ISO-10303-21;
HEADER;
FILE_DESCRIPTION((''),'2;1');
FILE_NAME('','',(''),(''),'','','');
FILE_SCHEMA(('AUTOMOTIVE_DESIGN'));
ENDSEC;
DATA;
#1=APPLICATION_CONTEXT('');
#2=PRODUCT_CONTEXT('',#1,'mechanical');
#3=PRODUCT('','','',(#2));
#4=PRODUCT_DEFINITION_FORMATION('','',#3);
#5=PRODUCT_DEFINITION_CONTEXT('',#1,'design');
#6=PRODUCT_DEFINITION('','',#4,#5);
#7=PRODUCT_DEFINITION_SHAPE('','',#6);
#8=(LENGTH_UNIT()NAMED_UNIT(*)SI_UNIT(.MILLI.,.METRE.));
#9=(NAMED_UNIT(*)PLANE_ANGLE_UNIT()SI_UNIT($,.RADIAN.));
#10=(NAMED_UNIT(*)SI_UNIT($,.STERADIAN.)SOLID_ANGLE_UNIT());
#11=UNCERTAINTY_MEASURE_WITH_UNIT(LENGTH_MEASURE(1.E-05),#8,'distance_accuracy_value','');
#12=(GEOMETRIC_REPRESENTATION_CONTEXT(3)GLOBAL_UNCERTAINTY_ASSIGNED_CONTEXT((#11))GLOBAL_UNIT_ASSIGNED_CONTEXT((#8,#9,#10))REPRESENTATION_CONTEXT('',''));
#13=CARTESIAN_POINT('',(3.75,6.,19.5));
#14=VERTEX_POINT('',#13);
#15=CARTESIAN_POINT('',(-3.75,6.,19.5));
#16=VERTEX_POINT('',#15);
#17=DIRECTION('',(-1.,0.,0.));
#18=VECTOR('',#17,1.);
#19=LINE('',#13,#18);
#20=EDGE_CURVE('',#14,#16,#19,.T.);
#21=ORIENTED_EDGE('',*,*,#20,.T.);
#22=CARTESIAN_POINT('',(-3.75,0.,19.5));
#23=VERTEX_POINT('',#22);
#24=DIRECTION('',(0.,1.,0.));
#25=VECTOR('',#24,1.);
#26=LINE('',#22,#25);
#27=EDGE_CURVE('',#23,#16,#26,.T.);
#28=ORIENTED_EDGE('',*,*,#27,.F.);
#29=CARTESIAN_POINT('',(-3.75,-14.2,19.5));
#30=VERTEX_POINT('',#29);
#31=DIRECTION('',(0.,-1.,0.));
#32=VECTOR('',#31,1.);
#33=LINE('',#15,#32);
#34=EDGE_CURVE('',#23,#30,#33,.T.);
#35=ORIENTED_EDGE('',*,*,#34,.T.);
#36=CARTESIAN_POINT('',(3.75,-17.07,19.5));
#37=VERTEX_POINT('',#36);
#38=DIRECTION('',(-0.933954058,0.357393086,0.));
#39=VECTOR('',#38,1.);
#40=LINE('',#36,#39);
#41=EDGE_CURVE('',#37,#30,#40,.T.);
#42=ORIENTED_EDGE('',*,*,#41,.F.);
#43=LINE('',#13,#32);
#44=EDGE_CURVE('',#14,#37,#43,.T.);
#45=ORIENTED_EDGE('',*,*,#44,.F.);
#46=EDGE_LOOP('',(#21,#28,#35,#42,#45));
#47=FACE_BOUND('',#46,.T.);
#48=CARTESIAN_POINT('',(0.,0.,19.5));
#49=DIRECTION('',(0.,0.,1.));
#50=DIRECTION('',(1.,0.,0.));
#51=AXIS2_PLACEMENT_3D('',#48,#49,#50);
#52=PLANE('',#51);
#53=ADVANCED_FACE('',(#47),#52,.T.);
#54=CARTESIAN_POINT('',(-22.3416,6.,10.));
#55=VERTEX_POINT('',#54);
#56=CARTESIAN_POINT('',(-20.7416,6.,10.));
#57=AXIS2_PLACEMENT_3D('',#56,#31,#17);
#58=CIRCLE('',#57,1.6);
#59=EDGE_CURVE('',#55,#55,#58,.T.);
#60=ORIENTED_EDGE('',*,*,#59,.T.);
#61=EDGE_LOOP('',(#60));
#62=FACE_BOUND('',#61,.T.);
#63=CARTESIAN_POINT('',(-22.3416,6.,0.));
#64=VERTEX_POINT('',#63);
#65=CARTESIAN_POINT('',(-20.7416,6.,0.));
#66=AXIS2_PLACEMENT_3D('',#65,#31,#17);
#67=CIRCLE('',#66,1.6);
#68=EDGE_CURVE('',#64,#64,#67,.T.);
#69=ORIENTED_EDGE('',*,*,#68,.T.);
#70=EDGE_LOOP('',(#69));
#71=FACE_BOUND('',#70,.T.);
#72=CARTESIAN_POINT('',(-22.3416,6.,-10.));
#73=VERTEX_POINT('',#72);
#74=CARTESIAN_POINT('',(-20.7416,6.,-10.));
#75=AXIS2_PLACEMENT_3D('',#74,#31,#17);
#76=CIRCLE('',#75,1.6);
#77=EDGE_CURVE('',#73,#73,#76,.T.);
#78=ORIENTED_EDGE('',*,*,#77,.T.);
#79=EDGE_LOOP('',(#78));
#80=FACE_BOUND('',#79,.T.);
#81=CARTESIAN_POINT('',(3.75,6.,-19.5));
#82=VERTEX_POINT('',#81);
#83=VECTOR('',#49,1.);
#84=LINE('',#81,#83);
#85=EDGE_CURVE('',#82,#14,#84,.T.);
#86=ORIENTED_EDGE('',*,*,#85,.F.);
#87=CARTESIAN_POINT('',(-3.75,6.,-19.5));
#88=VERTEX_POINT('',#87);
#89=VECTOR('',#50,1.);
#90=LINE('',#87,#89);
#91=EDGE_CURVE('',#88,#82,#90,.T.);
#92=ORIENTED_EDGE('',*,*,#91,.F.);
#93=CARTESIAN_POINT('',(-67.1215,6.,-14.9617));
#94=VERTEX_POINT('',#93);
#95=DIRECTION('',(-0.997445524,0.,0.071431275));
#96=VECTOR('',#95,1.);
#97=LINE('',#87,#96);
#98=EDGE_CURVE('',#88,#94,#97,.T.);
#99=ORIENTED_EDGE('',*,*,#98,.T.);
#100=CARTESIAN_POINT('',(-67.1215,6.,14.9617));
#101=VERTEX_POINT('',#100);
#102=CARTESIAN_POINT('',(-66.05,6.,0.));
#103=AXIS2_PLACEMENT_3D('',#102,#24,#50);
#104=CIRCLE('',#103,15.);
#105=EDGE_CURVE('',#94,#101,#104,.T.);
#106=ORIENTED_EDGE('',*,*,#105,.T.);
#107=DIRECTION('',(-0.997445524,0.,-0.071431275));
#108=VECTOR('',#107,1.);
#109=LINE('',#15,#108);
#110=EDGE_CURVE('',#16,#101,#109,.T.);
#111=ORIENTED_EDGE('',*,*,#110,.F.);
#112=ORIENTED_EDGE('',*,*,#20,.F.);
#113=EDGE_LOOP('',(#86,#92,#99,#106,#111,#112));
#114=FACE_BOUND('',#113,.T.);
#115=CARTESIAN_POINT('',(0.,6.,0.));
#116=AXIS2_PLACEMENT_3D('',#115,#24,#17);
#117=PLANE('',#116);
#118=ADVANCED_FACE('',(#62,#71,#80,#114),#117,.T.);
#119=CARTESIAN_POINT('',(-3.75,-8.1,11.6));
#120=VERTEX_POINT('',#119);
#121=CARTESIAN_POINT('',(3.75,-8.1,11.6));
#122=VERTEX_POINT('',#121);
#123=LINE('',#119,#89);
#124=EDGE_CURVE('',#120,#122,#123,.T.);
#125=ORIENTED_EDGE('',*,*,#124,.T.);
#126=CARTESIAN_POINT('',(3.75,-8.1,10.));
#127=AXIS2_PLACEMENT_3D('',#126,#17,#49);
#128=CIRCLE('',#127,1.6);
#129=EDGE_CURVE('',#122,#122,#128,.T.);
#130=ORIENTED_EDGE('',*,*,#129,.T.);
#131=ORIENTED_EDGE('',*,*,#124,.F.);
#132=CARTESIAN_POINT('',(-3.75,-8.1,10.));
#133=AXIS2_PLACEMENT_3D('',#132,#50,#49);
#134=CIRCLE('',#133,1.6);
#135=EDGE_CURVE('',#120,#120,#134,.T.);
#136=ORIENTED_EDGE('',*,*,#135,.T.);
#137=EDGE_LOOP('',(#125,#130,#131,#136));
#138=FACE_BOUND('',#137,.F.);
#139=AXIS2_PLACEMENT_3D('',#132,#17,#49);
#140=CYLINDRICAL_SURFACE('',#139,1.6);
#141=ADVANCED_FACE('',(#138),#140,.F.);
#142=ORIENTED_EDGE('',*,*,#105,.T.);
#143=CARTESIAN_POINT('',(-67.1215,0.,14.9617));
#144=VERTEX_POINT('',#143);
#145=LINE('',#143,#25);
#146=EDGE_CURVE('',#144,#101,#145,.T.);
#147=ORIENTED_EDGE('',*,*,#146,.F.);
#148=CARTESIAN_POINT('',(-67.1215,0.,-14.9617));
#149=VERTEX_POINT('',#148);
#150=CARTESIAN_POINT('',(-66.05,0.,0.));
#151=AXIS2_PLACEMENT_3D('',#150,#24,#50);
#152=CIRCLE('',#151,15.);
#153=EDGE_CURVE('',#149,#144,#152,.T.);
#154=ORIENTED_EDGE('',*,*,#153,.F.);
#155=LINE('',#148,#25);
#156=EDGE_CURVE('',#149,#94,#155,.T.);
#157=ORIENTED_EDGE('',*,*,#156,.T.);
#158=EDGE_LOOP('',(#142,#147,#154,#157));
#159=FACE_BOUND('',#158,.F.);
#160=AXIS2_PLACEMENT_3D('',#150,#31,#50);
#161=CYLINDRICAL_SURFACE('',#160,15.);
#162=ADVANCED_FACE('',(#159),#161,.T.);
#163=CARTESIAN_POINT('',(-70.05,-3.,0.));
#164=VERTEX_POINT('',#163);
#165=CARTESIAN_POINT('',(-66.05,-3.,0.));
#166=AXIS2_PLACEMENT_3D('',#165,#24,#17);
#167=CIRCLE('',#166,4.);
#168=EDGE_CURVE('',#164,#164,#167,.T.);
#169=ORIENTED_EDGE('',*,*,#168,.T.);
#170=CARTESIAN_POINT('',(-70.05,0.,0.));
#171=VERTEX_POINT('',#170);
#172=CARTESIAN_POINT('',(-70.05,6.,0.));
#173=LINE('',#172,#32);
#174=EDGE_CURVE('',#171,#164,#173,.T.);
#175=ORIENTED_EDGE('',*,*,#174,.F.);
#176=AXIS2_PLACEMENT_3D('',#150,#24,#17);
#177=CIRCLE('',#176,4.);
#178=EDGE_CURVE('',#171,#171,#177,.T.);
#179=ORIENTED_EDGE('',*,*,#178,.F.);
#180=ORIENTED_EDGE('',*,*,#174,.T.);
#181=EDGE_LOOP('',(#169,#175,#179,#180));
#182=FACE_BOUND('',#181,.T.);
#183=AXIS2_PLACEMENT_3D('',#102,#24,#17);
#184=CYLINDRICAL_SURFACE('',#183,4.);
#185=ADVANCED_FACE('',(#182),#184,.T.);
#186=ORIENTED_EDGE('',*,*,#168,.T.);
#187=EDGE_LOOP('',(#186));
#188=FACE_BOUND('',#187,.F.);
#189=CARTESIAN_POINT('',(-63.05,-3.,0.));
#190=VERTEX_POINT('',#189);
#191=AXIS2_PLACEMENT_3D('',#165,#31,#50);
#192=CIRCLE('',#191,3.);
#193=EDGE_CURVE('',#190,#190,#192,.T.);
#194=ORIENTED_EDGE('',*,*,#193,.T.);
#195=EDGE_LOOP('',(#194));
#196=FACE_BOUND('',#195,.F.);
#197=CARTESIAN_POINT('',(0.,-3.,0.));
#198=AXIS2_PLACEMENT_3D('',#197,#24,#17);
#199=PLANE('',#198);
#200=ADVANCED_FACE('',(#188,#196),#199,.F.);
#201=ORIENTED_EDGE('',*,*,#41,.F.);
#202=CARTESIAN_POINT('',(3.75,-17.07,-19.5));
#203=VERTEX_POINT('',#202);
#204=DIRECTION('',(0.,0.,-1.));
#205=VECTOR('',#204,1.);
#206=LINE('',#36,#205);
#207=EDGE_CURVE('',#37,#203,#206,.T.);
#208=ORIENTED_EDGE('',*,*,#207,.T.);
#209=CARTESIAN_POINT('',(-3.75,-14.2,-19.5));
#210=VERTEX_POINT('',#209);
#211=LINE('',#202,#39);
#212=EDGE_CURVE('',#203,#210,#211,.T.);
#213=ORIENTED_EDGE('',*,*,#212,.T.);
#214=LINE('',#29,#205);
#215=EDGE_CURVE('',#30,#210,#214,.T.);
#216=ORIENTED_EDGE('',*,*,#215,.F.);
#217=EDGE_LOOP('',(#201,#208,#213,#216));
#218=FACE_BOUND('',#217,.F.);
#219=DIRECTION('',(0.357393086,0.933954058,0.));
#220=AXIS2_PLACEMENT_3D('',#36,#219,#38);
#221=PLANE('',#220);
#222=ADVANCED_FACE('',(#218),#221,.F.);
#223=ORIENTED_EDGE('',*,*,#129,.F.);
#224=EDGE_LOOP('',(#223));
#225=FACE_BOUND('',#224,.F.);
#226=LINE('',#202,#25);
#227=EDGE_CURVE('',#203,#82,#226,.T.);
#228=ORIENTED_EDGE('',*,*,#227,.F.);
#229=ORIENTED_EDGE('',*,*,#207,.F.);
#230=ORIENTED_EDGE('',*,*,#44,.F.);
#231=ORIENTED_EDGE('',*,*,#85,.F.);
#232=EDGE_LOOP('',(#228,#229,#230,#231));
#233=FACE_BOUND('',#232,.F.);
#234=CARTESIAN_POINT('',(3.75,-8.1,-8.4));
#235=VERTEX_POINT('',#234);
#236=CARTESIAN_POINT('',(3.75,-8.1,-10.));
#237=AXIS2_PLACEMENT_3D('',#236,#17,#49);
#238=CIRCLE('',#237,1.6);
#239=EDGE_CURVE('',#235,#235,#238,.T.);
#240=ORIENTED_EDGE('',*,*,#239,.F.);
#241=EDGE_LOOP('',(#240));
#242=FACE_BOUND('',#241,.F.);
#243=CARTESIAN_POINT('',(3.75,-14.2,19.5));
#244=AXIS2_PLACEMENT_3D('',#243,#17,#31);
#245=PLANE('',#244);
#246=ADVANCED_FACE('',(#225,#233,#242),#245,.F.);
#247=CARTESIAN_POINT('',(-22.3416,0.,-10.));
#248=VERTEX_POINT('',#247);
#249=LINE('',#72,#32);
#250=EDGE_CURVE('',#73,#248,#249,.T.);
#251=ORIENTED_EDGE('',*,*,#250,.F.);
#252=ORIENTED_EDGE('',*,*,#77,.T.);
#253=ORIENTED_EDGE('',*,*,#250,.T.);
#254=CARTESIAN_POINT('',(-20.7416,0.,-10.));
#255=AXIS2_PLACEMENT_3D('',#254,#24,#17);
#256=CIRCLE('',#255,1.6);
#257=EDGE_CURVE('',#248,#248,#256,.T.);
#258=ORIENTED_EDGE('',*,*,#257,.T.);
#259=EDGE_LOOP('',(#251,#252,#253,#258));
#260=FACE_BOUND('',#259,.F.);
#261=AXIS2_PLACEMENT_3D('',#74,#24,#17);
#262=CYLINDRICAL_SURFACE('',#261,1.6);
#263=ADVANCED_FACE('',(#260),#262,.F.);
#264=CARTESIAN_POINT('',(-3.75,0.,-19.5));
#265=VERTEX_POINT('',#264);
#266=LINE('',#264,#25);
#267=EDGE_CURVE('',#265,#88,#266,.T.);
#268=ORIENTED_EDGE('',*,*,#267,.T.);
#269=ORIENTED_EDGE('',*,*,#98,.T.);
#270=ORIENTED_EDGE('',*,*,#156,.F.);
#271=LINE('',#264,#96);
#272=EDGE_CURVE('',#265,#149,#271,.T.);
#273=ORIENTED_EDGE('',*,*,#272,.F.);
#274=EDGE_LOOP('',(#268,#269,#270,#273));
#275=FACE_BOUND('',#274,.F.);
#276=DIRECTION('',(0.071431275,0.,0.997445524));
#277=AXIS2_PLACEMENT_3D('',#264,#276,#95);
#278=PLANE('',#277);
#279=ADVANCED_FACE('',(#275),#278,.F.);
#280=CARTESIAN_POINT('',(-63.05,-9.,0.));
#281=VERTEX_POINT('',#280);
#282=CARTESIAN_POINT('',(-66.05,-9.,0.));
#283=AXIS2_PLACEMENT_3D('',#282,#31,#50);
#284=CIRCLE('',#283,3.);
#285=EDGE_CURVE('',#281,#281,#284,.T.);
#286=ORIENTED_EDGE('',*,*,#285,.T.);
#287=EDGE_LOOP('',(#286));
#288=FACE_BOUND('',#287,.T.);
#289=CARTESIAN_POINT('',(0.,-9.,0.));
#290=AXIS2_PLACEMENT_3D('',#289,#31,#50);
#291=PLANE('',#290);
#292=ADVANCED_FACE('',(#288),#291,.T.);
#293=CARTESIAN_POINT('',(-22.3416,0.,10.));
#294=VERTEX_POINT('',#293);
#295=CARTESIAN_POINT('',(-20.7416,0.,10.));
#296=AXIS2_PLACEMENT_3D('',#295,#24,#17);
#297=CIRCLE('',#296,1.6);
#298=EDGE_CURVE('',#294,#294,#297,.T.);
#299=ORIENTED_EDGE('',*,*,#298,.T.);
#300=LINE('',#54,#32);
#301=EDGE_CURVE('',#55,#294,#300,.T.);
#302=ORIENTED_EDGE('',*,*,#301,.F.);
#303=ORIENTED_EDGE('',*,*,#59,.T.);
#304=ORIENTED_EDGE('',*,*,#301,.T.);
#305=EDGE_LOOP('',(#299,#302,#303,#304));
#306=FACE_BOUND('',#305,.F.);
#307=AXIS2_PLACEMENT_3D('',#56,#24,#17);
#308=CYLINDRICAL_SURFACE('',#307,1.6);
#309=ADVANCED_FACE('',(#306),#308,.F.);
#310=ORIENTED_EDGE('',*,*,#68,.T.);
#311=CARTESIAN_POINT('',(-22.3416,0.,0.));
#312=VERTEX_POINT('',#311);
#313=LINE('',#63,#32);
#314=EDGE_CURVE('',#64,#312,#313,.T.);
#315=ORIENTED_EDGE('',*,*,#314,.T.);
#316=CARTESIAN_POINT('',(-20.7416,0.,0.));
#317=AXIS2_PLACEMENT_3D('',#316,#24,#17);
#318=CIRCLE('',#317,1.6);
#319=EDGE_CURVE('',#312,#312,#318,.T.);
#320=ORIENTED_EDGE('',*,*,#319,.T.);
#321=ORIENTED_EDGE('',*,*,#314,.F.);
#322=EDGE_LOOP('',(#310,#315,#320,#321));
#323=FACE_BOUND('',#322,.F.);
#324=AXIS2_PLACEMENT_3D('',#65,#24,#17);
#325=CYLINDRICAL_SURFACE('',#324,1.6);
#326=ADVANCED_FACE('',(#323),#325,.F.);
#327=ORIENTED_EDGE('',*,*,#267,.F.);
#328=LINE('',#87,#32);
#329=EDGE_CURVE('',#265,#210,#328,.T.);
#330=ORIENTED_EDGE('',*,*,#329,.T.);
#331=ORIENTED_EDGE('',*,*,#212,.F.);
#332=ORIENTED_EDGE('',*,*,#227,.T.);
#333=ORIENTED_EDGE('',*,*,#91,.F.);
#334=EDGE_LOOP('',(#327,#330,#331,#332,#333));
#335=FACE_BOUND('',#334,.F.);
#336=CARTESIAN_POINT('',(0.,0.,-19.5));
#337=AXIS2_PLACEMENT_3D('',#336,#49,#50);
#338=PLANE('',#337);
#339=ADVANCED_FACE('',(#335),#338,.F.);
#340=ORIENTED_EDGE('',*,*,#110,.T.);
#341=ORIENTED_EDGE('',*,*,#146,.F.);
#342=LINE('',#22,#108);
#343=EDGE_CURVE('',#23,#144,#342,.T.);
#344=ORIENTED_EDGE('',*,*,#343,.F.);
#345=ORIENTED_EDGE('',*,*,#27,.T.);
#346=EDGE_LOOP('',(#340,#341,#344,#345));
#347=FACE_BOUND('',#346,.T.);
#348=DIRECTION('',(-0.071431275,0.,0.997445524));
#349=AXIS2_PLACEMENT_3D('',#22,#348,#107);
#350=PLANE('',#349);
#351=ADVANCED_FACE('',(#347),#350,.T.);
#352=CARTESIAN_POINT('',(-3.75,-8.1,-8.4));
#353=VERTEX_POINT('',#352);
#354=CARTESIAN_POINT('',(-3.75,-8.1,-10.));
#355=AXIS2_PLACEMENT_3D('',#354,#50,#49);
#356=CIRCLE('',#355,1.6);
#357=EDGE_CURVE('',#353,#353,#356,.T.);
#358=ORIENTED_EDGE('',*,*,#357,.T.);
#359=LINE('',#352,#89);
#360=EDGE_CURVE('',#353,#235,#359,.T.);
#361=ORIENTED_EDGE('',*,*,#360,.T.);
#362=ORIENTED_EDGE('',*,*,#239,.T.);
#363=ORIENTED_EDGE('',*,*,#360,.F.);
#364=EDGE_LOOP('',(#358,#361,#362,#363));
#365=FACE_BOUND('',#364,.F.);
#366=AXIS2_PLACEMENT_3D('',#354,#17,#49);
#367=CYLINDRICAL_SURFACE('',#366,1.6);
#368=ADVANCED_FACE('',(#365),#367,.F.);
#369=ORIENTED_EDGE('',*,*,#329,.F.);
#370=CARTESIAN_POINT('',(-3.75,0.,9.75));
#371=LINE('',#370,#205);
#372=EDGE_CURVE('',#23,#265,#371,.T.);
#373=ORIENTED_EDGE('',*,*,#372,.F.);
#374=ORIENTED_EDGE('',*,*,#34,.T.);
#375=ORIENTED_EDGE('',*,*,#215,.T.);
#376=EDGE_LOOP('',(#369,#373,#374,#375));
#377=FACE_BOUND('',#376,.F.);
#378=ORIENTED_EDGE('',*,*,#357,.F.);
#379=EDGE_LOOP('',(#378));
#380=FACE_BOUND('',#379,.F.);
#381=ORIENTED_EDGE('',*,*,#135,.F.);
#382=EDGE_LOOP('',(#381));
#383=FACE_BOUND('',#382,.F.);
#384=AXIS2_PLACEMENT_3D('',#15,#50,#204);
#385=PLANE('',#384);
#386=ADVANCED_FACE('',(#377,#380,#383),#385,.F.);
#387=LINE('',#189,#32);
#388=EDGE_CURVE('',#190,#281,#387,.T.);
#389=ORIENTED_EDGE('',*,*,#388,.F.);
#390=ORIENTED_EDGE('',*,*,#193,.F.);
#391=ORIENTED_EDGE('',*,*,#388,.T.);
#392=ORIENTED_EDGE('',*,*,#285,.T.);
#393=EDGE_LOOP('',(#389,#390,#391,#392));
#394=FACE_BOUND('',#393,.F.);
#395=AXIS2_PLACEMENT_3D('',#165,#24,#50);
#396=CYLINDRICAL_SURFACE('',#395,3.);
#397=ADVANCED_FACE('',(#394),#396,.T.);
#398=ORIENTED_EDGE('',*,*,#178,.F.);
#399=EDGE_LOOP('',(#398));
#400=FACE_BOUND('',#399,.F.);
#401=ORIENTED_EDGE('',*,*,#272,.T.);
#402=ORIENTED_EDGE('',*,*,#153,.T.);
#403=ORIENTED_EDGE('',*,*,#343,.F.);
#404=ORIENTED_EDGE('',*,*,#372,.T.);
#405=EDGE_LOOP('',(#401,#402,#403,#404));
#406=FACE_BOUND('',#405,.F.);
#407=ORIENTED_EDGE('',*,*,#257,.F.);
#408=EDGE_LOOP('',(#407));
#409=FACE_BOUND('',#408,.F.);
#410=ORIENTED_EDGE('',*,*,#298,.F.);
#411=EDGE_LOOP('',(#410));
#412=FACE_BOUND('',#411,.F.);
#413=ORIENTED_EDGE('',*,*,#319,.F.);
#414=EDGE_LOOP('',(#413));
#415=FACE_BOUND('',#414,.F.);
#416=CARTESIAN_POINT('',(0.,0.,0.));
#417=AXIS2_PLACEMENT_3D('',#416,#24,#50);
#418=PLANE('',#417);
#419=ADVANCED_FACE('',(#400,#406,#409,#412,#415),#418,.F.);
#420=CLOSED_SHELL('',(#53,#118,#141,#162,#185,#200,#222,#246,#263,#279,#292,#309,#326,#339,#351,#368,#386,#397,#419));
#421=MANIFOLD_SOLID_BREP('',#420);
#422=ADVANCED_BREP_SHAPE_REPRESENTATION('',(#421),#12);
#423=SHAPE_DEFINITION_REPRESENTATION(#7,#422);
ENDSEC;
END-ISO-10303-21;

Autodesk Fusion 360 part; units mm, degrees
sketch "Sketch1" plane through (0, 0, 0) normal (0, 1, 0) x (1, 0, 0)
  line L0 (-3.75, 19.5) -> (3.75, 19.5)
  line L1 (3.75, 19.5) -> (3.75, -19.5)
  line L2 (3.75, -19.5) -> (-3.75, -19.5)
  line L3 (-3.75, -19.5) -> (-3.75, 19.5)
  line L4 (-3.75, 19.5) -> (3.75, -19.5) construction
  line L5 (3.75, 19.5) -> (-3.75, -19.5) construction
  circle A0 centre (-66.05, 0) radius 15
  line L6 (-3.75, -19.5) -> (-67.1215, -14.9617)
  line L7 (-3.75, 19.5) -> (-67.1215, 14.9617)
  dimension "d1" = 7.5
  dimension "d2" = 39
  dimension "d4" = 30
extrude "Extrude1" add sketch "Sketch1" along normal blind 6
sketch "Sketch2" plane through (0, 6, 0) normal (0, 1, 0) x (-1, 0, 0)
  line L0 (-3.75, -19.5) -> (3.75, -19.5)
  line L1 (3.75, -19.5) -> (67.1215, -14.9617)
  arc A0 (67.1215, -14.9617) -> (67.1215, 14.9617) centre (66.05, 0) ccw
  line L2 (67.1215, 14.9617) -> (3.75, 19.5)
  line L3 (3.75, 19.5) -> (-3.75, 19.5)
  line L4 (-3.75, 19.5) -> (-3.75, -19.5)
  line L5 (-3.75, 19.5) -> (3.75, 19.5)
  line L6 (3.75, 19.5) -> (3.75, -19.5)
  line L7 (3.75, -19.5) -> (-3.75, -19.5)
  line L8 (-3.75, -19.5) -> (-3.75, 19.5)
  line L9 (-3.75, 19.5) -> (3.75, -19.5) construction
  line L10 (3.75, 19.5) -> (-3.75, -19.5) construction
  dimension "d7" = 7.5
  dimension "d8" = 39
extrude "Extrude2" add sketch "Sketch2" against normal blind 20.2 contours L0 L3 L4 L5 L6 L7 L8
sketch "Sketch3" plane through (0, 6, 0) normal (0, 1, 0) x (-1, 0, 0)
  line L0 (3.75, -19.5) -> (67.1215, -14.9617)
  arc A0 (67.1215, -14.9617) -> (67.1215, 14.9617) centre (66.05, 0) ccw
  line L1 (67.1215, 14.9617) -> (3.75, 19.5)
  line L2 (3.75, 19.5) -> (-3.75, 19.5)
  line L3 (-3.75, 19.5) -> (-3.75, -19.5)
  line L4 (-3.75, -19.5) -> (3.75, -19.5)
  circle A1 centre (66.05, 0) radius 4
  dimension "d11" = 8
extrude "Extrude3" add sketch "Sketch3" against normal blind 9 contours A1
sketch "Sketch4" plane through (0, -3, 0) normal (0, -1, 0) x (1, 0, 0)
  circle A0 centre (-66.05, 0) radius 4
  circle A1 centre (-66.05, 0) radius 3
  dimension "d14" = 6
extrude "Extrude4" add sketch "Sketch4" along normal blind 6 contours A1
sketch "Sketch5" plane through (0, 6, 0) normal (0, 1, 0) x (-1, 0, 0)
  line L0 (3.75, -19.5) -> (67.1215, -14.9617)
  arc A0 (67.1215, -14.9617) -> (67.1215, 14.9617) centre (66.05, 0) ccw
  line L1 (67.1215, 14.9617) -> (3.75, 19.5)
  line L2 (3.75, 19.5) -> (-3.75, 19.5)
  line L3 (-3.75, 19.5) -> (-3.75, -19.5)
  line L4 (-3.75, -19.5) -> (3.75, -19.5)
  line L5 (3.75, -19.5) -> (23.6989, -18.0714)
  line L6 (3.75, 19.5) -> (23.6989, 18.0714)
  line L7 (23.6989, 18.0714) -> (23.6989, -18.0714)
  line L8 (23.6989, -18.0714) -> (17.7142, -18.5)
  line L9 (23.6989, 18.0714) -> (17.7142, 18.5)
  line L10 (17.7142, 18.5) -> (17.7142, -18.5)
  line L11 (17.7142, -18.5) -> (23.6989, 18.0714)
  line L12 (23.6989, -18.0714) -> (17.7142, 18.5)
  line L13 (17.7142, 0) -> (23.6989, 0)
  circle A1 centre (20.7416, 0) radius 1.6
  line L14 (20.7416, 0) -> (20.7416, 10)
  circle A2 centre (20.7416, 10) radius 1.6
  line L15 (20.7416, 0) -> (20.7416, -10)
  circle A3 centre (20.7416, -10) radius 1.6
  dimension "d17" = 20
  dimension "d18" = 20
  dimension "d19" = 6
  dimension "d20" = 6
  dimension "d21" = 3.2
  dimension "d22" = 10
  dimension "d23" = 3.2
  dimension "d24" = 10
  dimension "d25" = 3.2
extrude "Extrude5" cut sketch "Sketch5" against normal blind 13 contours A3 | L11 L13 A1 | L11 A1 L15 | L12 A1 L15 | L12 L13 A1 | A2 | L12 L13 A1 | L11 A1 L14 | L11 L13 A1 | L12 A1 L14
sketch "Sketch6" plane through (0, 0, 19.5) normal (0, 0, 1) x (1, 0, 0)
  line L0 (3.75, -14.2) -> (3.75, 6)
  line L1 (3.75, 6) -> (-3.75, 6)
  line L2 (-3.75, 6) -> (-3.75, 0)
  line L3 (-3.75, 0) -> (-3.75, -14.2)
  line L4 (-3.75, -14.2) -> (3.75, -14.2)
  line L5 (3.75, -14.2) -> (3.75, -17.07)
  line L6 (3.75, -17.07) -> (-3.75, -14.2)
  dimension "d28" = 2.87
extrude "Extrude6" add sketch "Sketch6" against normal blind 39 contours L4 L5 L6
sketch "Sketch7" plane through (-3.75, 0, 0) normal (-1, 0, 0) x (0, 0, 1)
  line L0 (19.5, 0) -> (-19.5, 0)
  line L1 (-19.5, 0) -> (-19.5, -14.2)
  line L2 (-19.5, -14.2) -> (19.5, -14.2)
  line L3 (19.5, -14.2) -> (19.5, 0)
  line L4 (-19.5, -14.2) -> (-10, -14.2)
  line L5 (-10, -14.2) -> (-10, -8.1)
  line L6 (-10, -8.1) -> (10, -8.1)
  circle A0 centre (-10, -8.1) radius 1.6
  circle A1 centre (10, -8.1) radius 1.6
  dimension "d31" = 9.5
  dimension "d32" = 6.1
  dimension "d33" = 20
  dimension "d34" = 3.2
  dimension "d35" = 3.2
extrude "Extrude7" cut sketch "Sketch7" against normal blind 61 contours A1 | L5 L6 A0 | L5 L6 A0
